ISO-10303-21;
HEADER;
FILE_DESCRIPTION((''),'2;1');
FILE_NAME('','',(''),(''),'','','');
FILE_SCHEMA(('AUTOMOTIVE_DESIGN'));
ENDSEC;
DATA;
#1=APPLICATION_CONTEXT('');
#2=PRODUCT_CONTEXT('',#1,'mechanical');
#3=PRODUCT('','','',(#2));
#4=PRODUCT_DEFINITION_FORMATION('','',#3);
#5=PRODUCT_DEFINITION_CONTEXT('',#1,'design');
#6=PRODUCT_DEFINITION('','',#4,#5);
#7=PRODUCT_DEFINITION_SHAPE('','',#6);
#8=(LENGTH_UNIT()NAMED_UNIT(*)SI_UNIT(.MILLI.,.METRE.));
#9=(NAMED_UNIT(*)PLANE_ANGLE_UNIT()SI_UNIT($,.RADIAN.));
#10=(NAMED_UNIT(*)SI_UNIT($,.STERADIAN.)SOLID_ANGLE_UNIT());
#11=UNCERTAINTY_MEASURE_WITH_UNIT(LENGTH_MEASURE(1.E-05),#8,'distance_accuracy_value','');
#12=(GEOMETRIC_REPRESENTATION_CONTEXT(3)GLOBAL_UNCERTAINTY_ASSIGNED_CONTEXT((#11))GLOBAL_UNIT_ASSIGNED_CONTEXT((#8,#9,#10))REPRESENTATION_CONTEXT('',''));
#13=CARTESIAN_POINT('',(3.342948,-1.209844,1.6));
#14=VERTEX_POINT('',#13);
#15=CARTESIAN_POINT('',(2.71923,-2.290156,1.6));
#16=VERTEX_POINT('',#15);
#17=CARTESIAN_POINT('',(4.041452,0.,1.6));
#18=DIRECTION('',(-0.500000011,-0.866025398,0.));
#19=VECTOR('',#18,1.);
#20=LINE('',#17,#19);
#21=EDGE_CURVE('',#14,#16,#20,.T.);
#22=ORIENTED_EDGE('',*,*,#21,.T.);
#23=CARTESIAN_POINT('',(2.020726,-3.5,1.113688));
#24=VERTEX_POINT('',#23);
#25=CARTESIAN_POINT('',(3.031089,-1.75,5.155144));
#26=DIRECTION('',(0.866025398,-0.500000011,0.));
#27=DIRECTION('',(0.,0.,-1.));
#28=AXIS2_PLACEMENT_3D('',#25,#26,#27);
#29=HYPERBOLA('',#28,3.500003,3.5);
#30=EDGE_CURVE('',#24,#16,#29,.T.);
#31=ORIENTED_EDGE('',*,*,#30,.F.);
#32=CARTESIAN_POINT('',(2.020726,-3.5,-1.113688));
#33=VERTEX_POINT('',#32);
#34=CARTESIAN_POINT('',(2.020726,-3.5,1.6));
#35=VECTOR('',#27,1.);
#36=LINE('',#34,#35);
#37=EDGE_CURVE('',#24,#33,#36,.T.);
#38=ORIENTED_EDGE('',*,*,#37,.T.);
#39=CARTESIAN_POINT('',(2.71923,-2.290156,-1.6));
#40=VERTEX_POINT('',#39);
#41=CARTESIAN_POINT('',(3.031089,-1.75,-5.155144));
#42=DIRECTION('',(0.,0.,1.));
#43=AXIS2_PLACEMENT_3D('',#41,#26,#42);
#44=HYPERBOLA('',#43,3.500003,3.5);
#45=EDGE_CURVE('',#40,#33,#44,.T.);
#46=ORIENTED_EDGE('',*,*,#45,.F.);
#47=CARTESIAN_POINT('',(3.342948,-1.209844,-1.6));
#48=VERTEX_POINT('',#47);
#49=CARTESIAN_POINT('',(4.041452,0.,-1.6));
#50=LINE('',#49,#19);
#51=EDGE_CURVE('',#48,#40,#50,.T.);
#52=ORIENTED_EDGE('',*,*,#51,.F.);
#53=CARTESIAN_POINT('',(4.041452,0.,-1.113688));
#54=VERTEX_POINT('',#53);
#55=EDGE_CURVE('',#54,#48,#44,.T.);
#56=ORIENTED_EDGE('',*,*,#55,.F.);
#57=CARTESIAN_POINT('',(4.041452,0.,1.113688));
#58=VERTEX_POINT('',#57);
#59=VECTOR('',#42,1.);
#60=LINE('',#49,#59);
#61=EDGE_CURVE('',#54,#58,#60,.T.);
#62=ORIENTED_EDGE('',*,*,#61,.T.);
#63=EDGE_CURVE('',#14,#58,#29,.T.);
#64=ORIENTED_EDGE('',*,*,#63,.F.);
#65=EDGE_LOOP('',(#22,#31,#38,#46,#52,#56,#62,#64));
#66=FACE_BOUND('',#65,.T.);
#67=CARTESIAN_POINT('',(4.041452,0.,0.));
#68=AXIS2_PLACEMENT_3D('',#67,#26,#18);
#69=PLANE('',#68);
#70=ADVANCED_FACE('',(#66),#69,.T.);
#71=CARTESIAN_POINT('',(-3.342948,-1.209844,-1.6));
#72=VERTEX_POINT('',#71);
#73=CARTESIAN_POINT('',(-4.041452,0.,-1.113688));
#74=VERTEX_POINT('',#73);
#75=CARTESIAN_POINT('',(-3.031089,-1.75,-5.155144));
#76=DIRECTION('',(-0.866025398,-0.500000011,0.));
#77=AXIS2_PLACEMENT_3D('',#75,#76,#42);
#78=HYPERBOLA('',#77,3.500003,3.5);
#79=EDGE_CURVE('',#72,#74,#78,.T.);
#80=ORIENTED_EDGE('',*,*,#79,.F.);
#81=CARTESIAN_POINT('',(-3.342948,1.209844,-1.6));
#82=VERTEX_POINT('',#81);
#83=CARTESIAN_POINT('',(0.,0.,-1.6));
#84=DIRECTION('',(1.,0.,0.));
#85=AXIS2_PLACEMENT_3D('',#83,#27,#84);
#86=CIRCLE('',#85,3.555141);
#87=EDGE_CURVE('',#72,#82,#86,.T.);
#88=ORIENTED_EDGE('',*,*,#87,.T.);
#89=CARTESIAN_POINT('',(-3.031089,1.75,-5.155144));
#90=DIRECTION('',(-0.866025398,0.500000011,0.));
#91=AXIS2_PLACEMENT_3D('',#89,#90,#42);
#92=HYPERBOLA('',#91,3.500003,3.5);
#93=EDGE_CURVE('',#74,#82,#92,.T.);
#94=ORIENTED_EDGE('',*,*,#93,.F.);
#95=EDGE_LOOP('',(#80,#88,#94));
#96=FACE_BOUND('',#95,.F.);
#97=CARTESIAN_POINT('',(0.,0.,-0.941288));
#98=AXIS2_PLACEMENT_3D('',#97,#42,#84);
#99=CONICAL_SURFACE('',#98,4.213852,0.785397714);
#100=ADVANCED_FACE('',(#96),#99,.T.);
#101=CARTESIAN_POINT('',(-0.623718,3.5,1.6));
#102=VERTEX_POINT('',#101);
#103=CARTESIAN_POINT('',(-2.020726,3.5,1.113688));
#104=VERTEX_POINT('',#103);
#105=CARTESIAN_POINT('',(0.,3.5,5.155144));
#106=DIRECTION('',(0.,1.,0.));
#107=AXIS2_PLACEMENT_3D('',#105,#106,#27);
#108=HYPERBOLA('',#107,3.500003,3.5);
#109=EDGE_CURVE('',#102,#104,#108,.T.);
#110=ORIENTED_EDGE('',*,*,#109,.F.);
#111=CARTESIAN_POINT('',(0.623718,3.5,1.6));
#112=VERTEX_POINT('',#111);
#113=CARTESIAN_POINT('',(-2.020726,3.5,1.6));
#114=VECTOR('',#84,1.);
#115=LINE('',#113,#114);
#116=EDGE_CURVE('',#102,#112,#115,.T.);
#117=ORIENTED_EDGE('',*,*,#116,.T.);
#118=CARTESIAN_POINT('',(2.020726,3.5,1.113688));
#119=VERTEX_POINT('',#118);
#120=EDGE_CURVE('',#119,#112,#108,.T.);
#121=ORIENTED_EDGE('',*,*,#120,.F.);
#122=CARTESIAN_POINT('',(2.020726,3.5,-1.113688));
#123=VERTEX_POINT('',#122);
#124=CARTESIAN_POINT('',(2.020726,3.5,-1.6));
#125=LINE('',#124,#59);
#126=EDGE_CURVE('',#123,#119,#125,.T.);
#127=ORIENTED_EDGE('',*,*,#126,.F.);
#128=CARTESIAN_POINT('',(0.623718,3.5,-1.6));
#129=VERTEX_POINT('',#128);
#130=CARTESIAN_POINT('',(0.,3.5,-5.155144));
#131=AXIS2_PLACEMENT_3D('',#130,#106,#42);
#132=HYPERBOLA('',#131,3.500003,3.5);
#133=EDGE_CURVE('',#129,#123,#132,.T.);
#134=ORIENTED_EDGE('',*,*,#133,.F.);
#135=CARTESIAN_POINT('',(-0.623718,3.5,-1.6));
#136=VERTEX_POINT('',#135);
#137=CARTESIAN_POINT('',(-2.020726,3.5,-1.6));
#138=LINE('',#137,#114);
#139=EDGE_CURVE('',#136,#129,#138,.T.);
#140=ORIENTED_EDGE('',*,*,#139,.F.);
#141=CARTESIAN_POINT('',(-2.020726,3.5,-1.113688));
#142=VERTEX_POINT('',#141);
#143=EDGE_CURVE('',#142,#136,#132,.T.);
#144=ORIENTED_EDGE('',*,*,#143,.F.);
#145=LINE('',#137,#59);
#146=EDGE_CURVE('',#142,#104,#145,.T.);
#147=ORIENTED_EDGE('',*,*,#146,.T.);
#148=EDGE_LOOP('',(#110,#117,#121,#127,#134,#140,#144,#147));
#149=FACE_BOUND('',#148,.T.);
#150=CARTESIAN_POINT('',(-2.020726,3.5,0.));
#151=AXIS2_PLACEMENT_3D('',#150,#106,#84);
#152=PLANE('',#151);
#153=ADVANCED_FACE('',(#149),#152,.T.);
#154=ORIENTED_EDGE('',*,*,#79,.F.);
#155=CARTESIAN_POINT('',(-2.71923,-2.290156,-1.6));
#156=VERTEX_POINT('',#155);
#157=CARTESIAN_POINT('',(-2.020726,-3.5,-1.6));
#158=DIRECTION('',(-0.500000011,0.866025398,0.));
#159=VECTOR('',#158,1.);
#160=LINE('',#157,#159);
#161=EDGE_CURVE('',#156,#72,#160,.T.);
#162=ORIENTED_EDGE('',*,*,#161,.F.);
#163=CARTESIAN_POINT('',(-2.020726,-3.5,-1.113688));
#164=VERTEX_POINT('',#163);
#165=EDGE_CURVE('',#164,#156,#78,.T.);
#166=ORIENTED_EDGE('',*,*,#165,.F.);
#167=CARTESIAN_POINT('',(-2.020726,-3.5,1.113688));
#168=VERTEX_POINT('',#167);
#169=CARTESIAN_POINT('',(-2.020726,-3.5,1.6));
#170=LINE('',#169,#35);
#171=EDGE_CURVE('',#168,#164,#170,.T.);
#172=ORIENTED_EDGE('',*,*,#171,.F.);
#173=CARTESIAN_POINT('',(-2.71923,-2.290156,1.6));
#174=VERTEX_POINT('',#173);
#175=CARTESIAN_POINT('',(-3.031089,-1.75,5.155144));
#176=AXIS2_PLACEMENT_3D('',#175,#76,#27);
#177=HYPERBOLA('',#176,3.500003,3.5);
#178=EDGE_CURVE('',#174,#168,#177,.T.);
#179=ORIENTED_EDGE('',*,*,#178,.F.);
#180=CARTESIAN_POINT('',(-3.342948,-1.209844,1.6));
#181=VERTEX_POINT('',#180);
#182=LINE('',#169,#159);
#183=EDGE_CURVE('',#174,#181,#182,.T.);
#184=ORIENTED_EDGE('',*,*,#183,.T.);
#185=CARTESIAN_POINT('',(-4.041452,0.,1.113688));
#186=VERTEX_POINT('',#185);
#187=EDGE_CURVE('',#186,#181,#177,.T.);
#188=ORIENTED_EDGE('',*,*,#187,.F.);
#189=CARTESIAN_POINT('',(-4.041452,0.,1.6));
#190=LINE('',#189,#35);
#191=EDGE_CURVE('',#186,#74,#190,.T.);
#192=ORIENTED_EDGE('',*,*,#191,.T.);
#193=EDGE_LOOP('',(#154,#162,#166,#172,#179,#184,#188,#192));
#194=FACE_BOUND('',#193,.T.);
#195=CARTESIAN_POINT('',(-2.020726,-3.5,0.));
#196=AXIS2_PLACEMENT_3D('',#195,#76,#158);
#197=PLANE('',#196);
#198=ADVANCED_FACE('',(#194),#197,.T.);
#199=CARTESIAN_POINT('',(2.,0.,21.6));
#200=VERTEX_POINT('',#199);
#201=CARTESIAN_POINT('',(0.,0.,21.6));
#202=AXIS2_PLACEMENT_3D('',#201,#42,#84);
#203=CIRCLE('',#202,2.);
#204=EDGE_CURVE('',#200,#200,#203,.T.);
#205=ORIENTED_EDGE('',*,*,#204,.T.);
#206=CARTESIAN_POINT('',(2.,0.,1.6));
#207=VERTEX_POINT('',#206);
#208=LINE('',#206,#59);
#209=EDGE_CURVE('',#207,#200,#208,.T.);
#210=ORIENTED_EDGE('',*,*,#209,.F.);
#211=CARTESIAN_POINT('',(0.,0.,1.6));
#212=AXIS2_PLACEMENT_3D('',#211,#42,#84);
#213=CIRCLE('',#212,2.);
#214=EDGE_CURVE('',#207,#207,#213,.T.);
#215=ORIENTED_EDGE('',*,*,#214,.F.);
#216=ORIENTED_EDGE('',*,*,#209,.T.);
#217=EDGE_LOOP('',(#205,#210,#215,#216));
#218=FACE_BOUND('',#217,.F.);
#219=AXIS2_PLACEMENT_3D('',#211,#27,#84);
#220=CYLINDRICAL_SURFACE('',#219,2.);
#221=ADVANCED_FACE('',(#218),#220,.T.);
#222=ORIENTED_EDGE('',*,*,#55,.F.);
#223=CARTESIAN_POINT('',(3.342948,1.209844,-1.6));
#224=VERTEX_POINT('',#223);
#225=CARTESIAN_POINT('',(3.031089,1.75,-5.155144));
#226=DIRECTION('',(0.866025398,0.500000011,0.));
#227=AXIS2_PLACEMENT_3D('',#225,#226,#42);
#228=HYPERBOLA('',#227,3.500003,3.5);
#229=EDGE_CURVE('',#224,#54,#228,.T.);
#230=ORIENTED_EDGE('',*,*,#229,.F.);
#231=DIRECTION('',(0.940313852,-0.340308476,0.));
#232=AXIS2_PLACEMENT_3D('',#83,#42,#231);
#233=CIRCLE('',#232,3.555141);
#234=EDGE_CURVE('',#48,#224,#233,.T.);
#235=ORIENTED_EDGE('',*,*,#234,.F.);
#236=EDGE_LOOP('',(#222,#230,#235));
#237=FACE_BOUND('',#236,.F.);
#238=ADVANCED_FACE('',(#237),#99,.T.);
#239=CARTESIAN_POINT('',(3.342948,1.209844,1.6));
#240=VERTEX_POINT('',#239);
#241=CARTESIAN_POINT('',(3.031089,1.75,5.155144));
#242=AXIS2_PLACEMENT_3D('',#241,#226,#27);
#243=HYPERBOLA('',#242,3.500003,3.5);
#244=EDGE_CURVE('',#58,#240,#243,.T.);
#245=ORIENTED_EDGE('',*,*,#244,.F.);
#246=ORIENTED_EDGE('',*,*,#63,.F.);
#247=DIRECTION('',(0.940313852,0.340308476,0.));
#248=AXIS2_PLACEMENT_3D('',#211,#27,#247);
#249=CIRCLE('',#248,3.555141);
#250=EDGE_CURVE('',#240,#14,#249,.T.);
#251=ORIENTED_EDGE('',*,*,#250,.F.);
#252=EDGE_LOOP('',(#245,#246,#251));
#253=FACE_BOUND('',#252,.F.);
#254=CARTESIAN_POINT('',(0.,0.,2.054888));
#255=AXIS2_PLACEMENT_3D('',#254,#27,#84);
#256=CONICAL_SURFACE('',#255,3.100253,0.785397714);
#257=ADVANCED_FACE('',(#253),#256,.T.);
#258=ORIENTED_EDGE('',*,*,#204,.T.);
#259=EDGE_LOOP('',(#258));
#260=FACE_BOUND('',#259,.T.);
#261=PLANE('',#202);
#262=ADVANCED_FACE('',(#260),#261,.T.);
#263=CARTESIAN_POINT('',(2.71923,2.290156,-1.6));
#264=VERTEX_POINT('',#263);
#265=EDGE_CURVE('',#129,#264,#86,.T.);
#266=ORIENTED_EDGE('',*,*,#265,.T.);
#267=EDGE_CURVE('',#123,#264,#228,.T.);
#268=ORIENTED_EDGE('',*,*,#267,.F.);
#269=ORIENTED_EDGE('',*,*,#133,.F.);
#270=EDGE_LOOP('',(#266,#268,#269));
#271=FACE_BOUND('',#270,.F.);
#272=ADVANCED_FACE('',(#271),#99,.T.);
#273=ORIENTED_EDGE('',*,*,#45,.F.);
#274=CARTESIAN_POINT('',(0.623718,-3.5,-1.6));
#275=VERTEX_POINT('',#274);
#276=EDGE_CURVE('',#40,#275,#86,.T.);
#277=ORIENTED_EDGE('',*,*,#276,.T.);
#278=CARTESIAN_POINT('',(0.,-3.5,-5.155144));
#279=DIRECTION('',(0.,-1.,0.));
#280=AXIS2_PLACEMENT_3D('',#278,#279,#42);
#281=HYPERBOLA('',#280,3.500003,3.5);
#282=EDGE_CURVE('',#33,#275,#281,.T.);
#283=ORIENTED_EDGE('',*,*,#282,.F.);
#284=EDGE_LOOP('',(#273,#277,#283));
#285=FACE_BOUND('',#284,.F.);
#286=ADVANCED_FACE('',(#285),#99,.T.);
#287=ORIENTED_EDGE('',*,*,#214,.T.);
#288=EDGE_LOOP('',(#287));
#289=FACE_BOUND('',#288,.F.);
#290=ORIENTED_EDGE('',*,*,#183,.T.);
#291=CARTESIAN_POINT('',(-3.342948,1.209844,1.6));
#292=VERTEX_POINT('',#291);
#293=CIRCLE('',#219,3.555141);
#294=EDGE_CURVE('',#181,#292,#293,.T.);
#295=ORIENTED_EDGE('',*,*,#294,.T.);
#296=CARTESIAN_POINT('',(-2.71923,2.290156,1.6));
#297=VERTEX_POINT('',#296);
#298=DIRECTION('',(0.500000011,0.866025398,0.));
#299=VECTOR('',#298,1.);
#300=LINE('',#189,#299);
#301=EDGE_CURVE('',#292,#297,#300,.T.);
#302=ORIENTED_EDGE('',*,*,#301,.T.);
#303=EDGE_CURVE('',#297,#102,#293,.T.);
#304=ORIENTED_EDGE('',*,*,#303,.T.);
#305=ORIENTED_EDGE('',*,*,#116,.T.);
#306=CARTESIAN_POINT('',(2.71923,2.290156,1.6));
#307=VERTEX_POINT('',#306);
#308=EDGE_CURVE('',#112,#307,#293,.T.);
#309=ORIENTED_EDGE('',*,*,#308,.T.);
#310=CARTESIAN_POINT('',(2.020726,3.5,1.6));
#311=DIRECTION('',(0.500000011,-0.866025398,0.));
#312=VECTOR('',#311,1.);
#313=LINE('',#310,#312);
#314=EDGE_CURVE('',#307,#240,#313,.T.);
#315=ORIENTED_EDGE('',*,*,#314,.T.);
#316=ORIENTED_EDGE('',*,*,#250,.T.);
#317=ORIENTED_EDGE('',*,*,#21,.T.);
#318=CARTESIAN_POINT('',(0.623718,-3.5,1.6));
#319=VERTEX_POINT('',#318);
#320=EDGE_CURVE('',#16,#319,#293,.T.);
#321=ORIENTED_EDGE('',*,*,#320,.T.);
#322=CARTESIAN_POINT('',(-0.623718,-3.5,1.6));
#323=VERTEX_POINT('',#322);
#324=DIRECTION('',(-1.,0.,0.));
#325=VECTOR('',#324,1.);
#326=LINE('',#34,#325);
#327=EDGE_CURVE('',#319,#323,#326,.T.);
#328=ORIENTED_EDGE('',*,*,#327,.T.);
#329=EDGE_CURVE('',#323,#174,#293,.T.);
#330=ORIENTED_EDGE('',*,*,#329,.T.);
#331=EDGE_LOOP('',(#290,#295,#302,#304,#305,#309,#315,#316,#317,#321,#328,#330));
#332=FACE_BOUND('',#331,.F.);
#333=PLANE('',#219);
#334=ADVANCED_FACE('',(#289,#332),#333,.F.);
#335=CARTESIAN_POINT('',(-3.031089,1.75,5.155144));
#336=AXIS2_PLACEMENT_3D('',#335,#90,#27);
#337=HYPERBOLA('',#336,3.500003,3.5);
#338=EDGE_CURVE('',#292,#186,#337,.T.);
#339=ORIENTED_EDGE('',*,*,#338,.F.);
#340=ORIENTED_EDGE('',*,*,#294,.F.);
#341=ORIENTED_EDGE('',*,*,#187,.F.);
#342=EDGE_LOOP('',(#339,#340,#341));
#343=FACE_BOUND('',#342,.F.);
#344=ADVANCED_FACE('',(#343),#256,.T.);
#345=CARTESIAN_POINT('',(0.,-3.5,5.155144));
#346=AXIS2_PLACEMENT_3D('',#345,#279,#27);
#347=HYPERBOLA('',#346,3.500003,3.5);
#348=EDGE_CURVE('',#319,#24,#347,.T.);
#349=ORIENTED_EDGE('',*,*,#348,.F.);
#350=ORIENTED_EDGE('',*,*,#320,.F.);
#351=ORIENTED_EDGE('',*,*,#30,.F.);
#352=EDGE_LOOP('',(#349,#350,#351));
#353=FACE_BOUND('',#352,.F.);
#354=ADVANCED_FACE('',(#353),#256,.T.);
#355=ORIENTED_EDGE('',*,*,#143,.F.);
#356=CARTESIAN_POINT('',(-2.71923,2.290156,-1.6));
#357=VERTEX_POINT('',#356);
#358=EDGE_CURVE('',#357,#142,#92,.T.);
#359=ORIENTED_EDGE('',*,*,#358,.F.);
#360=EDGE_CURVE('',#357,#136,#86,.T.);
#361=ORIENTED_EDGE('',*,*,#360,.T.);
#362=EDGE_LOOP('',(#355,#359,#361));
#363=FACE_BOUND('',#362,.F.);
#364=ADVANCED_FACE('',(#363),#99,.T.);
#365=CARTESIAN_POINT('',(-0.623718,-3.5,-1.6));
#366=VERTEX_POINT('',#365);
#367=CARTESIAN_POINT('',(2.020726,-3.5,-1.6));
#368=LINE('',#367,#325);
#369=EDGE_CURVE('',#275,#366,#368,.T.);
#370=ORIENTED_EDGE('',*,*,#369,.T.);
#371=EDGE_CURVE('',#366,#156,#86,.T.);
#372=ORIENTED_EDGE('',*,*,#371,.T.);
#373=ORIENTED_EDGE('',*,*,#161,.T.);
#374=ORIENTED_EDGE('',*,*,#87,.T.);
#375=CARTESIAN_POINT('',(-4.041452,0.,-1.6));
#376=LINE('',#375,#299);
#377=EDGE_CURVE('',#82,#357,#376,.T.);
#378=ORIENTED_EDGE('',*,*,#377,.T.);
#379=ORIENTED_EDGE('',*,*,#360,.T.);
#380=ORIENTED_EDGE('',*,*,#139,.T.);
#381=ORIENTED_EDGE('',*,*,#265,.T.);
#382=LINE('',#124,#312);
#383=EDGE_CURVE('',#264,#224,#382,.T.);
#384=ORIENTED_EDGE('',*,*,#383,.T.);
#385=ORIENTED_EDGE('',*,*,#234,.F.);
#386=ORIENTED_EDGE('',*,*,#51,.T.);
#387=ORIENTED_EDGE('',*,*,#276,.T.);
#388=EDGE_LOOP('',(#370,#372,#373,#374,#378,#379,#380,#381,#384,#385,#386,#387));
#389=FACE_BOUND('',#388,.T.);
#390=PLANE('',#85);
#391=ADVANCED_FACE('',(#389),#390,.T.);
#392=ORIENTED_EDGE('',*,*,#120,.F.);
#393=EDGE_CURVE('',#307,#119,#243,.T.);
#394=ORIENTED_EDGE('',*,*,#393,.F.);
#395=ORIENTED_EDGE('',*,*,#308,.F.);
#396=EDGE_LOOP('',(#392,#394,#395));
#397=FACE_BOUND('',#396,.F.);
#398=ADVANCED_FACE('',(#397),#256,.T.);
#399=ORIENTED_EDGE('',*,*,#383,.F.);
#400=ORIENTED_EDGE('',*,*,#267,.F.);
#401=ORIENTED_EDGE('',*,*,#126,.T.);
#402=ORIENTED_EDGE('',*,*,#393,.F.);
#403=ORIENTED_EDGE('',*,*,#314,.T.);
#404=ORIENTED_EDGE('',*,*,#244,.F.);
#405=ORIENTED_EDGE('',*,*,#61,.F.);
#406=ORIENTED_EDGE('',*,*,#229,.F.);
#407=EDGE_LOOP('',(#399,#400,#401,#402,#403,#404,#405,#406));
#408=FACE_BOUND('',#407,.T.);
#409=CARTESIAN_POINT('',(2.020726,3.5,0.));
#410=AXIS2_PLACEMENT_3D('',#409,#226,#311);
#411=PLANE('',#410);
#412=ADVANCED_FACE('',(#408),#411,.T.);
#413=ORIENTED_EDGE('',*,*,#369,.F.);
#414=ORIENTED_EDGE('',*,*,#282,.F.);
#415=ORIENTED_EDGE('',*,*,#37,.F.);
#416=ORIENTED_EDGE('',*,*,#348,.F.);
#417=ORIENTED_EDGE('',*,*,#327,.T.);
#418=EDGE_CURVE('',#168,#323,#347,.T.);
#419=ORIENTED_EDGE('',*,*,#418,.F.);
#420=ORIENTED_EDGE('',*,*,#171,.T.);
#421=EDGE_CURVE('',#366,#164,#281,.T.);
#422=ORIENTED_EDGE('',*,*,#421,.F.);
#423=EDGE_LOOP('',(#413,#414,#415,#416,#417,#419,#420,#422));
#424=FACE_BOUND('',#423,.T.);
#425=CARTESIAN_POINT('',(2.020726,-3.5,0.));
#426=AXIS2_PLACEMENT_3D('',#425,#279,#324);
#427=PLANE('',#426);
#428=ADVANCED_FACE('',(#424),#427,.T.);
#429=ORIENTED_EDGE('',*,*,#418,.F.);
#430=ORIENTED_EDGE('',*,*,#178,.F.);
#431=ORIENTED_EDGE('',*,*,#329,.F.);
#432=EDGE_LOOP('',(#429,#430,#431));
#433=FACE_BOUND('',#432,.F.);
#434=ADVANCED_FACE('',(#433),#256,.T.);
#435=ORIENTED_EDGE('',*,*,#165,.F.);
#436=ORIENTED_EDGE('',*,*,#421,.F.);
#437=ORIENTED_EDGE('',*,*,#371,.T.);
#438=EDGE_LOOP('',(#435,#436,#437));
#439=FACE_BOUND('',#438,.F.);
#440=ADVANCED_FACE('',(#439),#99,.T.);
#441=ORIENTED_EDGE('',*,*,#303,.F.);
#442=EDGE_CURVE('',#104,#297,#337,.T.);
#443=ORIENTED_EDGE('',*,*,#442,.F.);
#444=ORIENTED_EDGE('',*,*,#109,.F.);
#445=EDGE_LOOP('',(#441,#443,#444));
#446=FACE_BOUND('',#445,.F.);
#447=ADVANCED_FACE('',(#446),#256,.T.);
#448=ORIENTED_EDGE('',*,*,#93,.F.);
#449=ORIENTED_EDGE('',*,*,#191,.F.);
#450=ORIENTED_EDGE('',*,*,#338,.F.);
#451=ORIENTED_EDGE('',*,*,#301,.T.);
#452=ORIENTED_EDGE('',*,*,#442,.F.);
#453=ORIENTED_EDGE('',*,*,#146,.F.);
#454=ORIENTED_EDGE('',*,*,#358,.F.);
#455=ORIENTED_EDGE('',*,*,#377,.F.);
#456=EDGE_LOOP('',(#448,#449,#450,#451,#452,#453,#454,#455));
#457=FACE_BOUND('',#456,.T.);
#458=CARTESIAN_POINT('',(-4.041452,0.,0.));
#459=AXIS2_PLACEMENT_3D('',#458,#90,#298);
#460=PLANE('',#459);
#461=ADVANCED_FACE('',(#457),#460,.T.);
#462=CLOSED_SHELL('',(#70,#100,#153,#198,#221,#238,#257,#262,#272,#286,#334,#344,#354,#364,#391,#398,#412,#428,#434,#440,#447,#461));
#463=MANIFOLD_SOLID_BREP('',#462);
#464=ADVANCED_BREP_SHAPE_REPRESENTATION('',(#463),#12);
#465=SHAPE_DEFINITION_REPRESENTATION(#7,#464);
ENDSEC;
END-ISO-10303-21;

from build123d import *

# Parameters (mm, degrees)
PAD_DEPTH    = 1.6
SKETCH_R     = 2
PAD001_DEPTH = 20


with BuildPart() as part:
    # Sketch001 → Pad (new body, symmetric)
    with BuildSketch(Plane(origin=(0, 0, 0), x_dir=(1, 0, 0), z_dir=(0, 0, -1))):
        Polygon((4.041452, 0), (2.020726, 3.5), (-2.020726, 3.5), (-4.041452, 0), (-2.020726, -3.5), (2.020726, -3.5), align=None)
    extrude(amount=PAD_DEPTH, both=True)

    # Sketch (on Face7 of Pad) → Pad001 (join)
    with BuildSketch(Plane.XY.offset(1.6)):
        Circle(SKETCH_R)
    extrude(amount=PAD001_DEPTH)

    # Sketch002 → Groove (revolve, cut)
    with BuildSketch(Plane.XZ):
        Polygon((3.100253, 2.054888), (4.213852, 0.941288), (4.213852, -0.941288), (3.100253, -2.054888), (5.186611, -2.054888), (5.186611, 2.054888), align=None)
    revolve(axis=Axis((0, 0, 0), (0, 0, 1)), mode=Mode.SUBTRACT)


solid = part.part
